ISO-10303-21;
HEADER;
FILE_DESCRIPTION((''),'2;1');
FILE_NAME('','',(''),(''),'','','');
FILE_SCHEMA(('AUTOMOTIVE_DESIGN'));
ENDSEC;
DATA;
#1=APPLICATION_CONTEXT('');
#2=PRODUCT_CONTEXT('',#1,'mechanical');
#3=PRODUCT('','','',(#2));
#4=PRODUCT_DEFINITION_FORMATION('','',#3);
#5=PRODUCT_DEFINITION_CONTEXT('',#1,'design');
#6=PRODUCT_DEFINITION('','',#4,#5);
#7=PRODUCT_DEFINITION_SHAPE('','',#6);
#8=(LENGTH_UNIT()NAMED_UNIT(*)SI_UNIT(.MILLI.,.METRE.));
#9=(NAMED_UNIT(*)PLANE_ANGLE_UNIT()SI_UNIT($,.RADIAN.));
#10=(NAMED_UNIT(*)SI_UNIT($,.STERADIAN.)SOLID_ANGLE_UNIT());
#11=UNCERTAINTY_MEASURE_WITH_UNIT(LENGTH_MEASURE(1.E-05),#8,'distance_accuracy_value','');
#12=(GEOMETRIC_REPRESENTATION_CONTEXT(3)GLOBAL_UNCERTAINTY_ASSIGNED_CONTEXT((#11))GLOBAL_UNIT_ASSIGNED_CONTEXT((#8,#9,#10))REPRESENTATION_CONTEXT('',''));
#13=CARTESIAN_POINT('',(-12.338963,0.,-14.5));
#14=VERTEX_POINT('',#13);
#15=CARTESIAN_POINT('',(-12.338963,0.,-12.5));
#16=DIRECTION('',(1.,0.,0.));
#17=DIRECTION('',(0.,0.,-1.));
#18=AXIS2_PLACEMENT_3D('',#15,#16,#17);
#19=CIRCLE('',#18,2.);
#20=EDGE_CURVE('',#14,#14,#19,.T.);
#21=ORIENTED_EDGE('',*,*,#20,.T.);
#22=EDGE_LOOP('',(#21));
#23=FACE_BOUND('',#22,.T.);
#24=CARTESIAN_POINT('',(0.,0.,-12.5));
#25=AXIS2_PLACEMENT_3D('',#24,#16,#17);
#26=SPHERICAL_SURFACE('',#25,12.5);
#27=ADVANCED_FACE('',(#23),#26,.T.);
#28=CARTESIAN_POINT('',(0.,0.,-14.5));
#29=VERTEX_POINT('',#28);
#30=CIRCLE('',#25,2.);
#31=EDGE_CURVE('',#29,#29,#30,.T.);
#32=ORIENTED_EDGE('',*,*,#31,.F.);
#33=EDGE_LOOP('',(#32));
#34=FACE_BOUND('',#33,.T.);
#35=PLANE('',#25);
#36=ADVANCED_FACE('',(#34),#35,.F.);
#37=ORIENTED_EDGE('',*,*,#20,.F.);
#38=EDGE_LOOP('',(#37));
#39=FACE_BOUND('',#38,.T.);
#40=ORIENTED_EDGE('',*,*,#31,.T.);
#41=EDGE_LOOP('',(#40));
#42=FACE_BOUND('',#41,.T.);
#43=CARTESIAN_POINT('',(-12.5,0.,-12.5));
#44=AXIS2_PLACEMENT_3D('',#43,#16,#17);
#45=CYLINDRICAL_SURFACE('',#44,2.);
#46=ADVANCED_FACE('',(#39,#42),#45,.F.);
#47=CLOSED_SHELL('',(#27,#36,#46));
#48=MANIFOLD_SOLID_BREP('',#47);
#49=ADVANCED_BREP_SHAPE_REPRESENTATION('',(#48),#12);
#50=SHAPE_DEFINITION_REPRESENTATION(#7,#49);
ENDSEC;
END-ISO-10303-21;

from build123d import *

# Parameters (mm, degrees)
SKETCH2_R          = 2
CUT_EXTRUDE1_DEPTH = 12.5


with BuildPart() as part:
    # SEmiCircleSketch1 → Revolve1 (revolve)
    with BuildSketch(Plane(origin=(0, 0, 0), x_dir=(1, 0, 0), z_dir=(0, 1, 0))):
        with BuildLine():
            Line((0, 0), (0, 25))
            ThreePointArc((0, 25), (-12.5, 12.5), (0, 0))
        make_face()
    revolve(axis=Axis((0, 0, 0), (0, 0, -1)))

    # Sketch2 → Cut-Extrude1 (cut)
    with BuildSketch(Plane(origin=(0, 0, 0), x_dir=(0, 0, -1), z_dir=(1, 0, 0))):
        with Locations((12.5, 0)):
            Circle(SKETCH2_R)
    extrude(amount=-CUT_EXTRUDE1_DEPTH, mode=Mode.SUBTRACT)


solid = part.part
